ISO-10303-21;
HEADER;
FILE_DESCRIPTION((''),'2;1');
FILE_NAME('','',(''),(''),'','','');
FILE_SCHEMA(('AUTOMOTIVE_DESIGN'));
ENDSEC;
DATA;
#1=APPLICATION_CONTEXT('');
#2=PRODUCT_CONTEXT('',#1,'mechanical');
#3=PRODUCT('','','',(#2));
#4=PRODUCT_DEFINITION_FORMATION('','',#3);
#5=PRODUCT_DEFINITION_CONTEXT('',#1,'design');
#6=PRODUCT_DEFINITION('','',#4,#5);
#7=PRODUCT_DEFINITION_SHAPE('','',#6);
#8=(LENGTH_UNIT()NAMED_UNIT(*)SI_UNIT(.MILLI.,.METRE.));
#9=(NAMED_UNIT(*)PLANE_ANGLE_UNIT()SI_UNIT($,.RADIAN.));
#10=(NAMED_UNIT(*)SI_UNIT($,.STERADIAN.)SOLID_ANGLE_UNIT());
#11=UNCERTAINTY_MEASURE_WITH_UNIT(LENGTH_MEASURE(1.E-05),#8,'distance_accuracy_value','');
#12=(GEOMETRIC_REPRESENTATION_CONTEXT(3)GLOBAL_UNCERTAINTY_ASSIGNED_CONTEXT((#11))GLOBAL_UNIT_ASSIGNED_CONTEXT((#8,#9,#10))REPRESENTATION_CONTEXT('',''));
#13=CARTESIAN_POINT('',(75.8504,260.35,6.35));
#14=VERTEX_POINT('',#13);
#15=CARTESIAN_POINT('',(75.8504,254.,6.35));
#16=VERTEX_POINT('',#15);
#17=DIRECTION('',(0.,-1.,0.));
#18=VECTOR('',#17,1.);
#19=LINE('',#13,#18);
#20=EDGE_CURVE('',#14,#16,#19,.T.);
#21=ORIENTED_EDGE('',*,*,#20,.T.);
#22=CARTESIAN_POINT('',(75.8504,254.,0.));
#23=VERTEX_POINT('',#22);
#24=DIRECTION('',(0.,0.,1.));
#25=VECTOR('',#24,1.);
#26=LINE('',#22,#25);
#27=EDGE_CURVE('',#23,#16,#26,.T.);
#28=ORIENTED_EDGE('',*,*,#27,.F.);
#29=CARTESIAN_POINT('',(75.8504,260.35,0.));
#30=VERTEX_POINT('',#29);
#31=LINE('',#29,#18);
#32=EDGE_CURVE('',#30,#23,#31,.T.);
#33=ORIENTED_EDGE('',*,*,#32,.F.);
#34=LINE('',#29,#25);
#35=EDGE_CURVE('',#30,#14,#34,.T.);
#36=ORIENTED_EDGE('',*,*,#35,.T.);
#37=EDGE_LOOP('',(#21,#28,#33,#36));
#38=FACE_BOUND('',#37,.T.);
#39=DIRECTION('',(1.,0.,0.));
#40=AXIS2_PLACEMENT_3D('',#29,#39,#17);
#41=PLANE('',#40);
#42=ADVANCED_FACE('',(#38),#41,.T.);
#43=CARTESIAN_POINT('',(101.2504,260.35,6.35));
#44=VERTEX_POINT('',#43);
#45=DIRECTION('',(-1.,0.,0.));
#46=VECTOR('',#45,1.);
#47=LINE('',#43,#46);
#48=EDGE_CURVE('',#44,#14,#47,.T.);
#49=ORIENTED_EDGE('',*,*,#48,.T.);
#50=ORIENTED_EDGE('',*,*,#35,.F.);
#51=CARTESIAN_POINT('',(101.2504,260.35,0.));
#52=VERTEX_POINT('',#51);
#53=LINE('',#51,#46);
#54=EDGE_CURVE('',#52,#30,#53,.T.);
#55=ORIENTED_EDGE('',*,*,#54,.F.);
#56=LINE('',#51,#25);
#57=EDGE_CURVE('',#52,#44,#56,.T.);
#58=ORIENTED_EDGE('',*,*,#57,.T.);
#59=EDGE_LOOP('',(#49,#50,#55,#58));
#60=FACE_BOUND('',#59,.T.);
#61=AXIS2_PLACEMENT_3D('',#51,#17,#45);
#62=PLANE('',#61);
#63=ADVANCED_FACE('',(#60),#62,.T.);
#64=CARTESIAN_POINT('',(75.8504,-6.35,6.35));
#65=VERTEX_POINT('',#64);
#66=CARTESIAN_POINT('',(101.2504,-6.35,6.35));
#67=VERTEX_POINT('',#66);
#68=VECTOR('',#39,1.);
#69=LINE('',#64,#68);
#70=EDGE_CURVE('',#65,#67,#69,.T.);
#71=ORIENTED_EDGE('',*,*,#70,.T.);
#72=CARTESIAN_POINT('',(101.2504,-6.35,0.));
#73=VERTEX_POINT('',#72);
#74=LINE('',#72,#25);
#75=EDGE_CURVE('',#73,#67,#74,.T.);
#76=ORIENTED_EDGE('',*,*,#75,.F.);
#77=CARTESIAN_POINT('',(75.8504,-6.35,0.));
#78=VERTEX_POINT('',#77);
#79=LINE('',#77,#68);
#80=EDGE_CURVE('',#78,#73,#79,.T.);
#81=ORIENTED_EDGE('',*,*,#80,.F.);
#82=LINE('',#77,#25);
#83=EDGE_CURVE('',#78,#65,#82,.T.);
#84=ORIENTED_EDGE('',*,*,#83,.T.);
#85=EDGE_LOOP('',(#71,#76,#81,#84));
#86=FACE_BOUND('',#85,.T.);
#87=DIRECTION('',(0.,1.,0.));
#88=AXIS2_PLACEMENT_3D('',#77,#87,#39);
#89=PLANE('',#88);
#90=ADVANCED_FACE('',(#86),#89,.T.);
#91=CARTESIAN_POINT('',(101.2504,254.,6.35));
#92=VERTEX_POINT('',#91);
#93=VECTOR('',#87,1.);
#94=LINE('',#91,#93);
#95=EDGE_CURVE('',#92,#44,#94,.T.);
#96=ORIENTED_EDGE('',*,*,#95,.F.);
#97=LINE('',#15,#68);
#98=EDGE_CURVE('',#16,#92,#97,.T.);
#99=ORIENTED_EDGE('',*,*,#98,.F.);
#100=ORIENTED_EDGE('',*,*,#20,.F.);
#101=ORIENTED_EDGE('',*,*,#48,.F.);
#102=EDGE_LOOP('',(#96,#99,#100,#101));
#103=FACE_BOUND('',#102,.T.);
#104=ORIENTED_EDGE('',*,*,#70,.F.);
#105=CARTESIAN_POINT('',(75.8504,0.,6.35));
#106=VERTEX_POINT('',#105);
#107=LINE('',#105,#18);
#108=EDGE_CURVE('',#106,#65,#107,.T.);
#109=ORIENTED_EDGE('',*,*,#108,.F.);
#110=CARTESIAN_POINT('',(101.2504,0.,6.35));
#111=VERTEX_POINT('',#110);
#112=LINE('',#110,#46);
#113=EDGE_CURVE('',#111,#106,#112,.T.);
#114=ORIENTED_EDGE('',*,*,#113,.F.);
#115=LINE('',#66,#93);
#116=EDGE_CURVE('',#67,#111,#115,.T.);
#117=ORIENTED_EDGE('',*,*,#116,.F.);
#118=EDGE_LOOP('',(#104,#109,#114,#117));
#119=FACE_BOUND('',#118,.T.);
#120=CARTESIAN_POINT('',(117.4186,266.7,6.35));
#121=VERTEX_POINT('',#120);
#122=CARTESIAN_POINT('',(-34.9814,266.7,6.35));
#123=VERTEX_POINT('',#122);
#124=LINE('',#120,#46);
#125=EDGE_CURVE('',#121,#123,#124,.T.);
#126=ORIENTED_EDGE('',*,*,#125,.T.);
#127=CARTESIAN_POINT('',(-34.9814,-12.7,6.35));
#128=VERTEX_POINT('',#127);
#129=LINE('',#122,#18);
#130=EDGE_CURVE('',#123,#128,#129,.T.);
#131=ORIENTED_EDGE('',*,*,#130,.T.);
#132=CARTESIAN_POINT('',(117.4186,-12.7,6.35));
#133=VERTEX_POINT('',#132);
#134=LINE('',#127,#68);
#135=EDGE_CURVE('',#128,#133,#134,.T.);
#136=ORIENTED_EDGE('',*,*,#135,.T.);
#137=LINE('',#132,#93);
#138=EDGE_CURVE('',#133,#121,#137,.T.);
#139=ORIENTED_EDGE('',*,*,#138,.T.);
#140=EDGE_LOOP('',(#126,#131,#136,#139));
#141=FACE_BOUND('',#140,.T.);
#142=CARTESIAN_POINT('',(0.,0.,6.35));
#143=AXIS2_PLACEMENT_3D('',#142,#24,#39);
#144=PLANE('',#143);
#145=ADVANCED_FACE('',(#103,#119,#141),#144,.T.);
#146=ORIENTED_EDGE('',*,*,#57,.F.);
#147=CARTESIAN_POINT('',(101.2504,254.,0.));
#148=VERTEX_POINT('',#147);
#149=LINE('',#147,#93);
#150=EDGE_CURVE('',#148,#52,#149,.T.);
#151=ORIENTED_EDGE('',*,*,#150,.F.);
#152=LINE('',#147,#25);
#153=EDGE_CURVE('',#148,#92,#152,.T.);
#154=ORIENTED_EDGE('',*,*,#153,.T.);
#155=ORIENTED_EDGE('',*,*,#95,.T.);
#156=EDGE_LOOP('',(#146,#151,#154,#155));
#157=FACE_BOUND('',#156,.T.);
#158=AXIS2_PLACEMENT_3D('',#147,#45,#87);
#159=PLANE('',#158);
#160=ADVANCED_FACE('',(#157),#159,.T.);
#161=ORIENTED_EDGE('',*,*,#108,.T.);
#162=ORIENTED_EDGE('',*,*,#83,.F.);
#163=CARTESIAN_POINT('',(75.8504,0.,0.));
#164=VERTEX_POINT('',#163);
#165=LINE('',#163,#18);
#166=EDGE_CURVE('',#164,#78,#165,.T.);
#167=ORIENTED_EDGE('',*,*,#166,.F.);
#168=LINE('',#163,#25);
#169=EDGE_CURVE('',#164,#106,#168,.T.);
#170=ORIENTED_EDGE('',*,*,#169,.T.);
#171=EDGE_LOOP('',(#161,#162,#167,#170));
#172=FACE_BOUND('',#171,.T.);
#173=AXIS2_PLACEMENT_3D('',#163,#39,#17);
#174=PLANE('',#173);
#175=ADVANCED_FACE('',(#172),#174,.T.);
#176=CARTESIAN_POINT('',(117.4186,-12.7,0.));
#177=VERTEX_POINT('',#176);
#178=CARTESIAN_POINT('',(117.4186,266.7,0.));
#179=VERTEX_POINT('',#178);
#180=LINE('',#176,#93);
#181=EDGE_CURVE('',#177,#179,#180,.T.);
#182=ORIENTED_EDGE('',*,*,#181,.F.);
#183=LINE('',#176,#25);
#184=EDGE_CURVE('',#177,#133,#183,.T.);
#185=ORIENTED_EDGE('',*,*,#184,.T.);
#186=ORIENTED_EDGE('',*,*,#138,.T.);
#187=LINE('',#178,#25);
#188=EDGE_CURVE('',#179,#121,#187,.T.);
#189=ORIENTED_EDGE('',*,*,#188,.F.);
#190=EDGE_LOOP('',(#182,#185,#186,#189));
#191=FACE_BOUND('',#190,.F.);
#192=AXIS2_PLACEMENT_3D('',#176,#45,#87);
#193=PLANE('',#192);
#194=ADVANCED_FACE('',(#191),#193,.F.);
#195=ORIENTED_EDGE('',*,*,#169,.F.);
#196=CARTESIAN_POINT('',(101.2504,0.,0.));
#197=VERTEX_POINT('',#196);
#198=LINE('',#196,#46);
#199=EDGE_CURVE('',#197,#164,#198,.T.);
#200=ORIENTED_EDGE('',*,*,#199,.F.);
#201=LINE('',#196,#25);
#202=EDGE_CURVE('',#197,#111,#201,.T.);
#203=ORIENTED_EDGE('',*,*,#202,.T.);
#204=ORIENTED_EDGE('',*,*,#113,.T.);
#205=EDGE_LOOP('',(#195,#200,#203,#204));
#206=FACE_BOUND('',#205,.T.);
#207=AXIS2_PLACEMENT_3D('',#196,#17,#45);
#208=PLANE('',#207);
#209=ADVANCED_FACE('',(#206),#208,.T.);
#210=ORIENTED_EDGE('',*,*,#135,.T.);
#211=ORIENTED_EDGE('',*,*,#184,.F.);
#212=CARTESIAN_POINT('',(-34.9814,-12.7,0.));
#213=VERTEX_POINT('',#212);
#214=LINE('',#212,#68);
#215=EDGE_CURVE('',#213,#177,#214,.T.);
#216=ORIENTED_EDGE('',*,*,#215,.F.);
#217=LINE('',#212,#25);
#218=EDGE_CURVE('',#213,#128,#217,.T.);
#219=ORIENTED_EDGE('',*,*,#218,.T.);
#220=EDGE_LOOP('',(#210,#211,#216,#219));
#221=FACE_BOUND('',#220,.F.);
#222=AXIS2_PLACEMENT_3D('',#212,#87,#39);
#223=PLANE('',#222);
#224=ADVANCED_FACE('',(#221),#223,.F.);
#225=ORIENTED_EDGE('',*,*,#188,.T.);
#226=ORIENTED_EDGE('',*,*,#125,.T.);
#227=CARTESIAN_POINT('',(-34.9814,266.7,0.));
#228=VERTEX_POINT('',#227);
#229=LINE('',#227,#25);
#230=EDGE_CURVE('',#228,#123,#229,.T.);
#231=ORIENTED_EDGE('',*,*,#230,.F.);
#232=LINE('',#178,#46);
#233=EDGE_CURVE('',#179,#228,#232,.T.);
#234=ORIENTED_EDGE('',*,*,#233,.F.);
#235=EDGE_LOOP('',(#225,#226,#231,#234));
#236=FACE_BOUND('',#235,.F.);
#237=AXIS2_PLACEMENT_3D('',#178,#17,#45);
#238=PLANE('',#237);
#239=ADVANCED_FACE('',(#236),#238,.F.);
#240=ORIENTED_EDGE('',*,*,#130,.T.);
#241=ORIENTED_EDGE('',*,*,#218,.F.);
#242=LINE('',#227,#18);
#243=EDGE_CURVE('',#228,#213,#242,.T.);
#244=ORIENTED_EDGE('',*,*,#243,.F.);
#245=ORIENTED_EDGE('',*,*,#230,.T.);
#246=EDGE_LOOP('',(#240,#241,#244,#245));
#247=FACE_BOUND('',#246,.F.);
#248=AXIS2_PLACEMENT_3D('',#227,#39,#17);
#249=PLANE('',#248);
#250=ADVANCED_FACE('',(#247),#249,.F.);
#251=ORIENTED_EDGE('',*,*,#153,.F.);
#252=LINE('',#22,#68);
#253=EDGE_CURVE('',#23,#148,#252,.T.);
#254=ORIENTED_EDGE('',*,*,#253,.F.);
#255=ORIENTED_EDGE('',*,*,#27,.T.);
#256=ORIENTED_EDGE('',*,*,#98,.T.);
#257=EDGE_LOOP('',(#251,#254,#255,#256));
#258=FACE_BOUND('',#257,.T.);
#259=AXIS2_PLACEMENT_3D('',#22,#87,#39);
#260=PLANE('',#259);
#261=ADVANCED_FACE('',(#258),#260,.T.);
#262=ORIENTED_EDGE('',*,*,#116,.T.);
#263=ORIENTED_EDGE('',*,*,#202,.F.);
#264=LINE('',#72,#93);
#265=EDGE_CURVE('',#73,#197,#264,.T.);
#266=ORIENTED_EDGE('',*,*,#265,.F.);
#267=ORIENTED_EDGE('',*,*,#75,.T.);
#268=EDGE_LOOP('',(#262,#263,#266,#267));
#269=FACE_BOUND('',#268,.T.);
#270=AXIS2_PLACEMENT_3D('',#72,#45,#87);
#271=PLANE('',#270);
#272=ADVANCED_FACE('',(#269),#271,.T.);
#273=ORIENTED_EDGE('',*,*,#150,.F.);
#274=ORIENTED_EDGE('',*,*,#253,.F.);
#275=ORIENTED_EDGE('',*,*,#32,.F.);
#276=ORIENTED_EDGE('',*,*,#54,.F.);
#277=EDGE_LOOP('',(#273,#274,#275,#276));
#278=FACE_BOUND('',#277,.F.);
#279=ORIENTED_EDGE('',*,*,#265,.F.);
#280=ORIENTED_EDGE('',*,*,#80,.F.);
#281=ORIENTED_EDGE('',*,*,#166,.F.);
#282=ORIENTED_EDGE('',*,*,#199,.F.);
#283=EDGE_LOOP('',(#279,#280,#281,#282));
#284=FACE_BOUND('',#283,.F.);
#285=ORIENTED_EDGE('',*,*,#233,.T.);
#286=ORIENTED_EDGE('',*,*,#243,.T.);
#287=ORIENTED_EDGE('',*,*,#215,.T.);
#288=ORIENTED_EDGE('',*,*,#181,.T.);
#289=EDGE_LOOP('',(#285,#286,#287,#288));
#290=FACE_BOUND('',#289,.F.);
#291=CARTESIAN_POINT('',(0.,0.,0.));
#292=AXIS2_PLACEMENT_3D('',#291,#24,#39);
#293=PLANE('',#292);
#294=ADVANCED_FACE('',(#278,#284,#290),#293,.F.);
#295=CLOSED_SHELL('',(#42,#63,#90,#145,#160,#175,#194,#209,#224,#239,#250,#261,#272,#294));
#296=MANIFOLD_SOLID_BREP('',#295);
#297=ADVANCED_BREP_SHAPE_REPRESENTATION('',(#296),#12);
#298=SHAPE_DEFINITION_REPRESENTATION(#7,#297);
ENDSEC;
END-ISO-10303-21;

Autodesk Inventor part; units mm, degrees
ref_plane "YZ Plane" through (0, 0, 0) normal (1, 0, 0) x (0, 1, 0)
ref_plane "XZ Plane" through (0, 0, 0) normal (0, 1, 0) x (-1, 0, 0)
ref_plane "XY Plane" through (0, 0, 0) normal (0, 0, 1) x (1, 0, 0)
sketch "Sketch1" plane through (0, 0, 0) normal (0, 0, 1) x (1, 0, 0)
  line L0 (-34.9814, 266.7) -> (-34.9814, -12.7) projected
  line L1 (-34.9814, -12.7) -> (117.4186, -12.7) projected
  line L2 (117.4186, -12.7) -> (117.4186, 266.7) projected
  line L3 (117.4186, 266.7) -> (-34.9814, 266.7) projected
  line L4 (177.4504, 254) -> (177.4504, 260.35) projected
  line L5 (177.4504, 260.35) -> (152.0504, 260.35) projected
  line L6 (152.0504, 260.35) -> (152.0504, 254) projected
  line L7 (152.0504, 254) -> (177.4504, 254) projected
  line L8 (101.2504, 254) -> (101.2504, 260.35) projected
  line L9 (101.2504, 260.35) -> (75.8504, 260.35) projected
  line L10 (75.8504, 260.35) -> (75.8504, 254) projected
  line L11 (75.8504, 254) -> (101.2504, 254) projected
  line L12 (177.4504, -6.35) -> (177.4504, 0) projected
  line L13 (177.4504, 0) -> (152.0504, 0) projected
  line L14 (152.0504, 0) -> (152.0504, -6.35) projected
  line L15 (152.0504, -6.35) -> (177.4504, -6.35) projected
  line L16 (101.2504, -6.35) -> (101.2504, 0) projected
  line L17 (101.2504, 0) -> (75.8504, 0) projected
  line L18 (75.8504, 0) -> (75.8504, -6.35) projected
  line L19 (75.8504, -6.35) -> (101.2504, -6.35) projected
  point P0 (0, 0)
extrude "Extrusion1" add sketch "Sketch1" along normal blind 6.35 contours L3 L2 L1 L0
properties part number "bottomPanel01"
